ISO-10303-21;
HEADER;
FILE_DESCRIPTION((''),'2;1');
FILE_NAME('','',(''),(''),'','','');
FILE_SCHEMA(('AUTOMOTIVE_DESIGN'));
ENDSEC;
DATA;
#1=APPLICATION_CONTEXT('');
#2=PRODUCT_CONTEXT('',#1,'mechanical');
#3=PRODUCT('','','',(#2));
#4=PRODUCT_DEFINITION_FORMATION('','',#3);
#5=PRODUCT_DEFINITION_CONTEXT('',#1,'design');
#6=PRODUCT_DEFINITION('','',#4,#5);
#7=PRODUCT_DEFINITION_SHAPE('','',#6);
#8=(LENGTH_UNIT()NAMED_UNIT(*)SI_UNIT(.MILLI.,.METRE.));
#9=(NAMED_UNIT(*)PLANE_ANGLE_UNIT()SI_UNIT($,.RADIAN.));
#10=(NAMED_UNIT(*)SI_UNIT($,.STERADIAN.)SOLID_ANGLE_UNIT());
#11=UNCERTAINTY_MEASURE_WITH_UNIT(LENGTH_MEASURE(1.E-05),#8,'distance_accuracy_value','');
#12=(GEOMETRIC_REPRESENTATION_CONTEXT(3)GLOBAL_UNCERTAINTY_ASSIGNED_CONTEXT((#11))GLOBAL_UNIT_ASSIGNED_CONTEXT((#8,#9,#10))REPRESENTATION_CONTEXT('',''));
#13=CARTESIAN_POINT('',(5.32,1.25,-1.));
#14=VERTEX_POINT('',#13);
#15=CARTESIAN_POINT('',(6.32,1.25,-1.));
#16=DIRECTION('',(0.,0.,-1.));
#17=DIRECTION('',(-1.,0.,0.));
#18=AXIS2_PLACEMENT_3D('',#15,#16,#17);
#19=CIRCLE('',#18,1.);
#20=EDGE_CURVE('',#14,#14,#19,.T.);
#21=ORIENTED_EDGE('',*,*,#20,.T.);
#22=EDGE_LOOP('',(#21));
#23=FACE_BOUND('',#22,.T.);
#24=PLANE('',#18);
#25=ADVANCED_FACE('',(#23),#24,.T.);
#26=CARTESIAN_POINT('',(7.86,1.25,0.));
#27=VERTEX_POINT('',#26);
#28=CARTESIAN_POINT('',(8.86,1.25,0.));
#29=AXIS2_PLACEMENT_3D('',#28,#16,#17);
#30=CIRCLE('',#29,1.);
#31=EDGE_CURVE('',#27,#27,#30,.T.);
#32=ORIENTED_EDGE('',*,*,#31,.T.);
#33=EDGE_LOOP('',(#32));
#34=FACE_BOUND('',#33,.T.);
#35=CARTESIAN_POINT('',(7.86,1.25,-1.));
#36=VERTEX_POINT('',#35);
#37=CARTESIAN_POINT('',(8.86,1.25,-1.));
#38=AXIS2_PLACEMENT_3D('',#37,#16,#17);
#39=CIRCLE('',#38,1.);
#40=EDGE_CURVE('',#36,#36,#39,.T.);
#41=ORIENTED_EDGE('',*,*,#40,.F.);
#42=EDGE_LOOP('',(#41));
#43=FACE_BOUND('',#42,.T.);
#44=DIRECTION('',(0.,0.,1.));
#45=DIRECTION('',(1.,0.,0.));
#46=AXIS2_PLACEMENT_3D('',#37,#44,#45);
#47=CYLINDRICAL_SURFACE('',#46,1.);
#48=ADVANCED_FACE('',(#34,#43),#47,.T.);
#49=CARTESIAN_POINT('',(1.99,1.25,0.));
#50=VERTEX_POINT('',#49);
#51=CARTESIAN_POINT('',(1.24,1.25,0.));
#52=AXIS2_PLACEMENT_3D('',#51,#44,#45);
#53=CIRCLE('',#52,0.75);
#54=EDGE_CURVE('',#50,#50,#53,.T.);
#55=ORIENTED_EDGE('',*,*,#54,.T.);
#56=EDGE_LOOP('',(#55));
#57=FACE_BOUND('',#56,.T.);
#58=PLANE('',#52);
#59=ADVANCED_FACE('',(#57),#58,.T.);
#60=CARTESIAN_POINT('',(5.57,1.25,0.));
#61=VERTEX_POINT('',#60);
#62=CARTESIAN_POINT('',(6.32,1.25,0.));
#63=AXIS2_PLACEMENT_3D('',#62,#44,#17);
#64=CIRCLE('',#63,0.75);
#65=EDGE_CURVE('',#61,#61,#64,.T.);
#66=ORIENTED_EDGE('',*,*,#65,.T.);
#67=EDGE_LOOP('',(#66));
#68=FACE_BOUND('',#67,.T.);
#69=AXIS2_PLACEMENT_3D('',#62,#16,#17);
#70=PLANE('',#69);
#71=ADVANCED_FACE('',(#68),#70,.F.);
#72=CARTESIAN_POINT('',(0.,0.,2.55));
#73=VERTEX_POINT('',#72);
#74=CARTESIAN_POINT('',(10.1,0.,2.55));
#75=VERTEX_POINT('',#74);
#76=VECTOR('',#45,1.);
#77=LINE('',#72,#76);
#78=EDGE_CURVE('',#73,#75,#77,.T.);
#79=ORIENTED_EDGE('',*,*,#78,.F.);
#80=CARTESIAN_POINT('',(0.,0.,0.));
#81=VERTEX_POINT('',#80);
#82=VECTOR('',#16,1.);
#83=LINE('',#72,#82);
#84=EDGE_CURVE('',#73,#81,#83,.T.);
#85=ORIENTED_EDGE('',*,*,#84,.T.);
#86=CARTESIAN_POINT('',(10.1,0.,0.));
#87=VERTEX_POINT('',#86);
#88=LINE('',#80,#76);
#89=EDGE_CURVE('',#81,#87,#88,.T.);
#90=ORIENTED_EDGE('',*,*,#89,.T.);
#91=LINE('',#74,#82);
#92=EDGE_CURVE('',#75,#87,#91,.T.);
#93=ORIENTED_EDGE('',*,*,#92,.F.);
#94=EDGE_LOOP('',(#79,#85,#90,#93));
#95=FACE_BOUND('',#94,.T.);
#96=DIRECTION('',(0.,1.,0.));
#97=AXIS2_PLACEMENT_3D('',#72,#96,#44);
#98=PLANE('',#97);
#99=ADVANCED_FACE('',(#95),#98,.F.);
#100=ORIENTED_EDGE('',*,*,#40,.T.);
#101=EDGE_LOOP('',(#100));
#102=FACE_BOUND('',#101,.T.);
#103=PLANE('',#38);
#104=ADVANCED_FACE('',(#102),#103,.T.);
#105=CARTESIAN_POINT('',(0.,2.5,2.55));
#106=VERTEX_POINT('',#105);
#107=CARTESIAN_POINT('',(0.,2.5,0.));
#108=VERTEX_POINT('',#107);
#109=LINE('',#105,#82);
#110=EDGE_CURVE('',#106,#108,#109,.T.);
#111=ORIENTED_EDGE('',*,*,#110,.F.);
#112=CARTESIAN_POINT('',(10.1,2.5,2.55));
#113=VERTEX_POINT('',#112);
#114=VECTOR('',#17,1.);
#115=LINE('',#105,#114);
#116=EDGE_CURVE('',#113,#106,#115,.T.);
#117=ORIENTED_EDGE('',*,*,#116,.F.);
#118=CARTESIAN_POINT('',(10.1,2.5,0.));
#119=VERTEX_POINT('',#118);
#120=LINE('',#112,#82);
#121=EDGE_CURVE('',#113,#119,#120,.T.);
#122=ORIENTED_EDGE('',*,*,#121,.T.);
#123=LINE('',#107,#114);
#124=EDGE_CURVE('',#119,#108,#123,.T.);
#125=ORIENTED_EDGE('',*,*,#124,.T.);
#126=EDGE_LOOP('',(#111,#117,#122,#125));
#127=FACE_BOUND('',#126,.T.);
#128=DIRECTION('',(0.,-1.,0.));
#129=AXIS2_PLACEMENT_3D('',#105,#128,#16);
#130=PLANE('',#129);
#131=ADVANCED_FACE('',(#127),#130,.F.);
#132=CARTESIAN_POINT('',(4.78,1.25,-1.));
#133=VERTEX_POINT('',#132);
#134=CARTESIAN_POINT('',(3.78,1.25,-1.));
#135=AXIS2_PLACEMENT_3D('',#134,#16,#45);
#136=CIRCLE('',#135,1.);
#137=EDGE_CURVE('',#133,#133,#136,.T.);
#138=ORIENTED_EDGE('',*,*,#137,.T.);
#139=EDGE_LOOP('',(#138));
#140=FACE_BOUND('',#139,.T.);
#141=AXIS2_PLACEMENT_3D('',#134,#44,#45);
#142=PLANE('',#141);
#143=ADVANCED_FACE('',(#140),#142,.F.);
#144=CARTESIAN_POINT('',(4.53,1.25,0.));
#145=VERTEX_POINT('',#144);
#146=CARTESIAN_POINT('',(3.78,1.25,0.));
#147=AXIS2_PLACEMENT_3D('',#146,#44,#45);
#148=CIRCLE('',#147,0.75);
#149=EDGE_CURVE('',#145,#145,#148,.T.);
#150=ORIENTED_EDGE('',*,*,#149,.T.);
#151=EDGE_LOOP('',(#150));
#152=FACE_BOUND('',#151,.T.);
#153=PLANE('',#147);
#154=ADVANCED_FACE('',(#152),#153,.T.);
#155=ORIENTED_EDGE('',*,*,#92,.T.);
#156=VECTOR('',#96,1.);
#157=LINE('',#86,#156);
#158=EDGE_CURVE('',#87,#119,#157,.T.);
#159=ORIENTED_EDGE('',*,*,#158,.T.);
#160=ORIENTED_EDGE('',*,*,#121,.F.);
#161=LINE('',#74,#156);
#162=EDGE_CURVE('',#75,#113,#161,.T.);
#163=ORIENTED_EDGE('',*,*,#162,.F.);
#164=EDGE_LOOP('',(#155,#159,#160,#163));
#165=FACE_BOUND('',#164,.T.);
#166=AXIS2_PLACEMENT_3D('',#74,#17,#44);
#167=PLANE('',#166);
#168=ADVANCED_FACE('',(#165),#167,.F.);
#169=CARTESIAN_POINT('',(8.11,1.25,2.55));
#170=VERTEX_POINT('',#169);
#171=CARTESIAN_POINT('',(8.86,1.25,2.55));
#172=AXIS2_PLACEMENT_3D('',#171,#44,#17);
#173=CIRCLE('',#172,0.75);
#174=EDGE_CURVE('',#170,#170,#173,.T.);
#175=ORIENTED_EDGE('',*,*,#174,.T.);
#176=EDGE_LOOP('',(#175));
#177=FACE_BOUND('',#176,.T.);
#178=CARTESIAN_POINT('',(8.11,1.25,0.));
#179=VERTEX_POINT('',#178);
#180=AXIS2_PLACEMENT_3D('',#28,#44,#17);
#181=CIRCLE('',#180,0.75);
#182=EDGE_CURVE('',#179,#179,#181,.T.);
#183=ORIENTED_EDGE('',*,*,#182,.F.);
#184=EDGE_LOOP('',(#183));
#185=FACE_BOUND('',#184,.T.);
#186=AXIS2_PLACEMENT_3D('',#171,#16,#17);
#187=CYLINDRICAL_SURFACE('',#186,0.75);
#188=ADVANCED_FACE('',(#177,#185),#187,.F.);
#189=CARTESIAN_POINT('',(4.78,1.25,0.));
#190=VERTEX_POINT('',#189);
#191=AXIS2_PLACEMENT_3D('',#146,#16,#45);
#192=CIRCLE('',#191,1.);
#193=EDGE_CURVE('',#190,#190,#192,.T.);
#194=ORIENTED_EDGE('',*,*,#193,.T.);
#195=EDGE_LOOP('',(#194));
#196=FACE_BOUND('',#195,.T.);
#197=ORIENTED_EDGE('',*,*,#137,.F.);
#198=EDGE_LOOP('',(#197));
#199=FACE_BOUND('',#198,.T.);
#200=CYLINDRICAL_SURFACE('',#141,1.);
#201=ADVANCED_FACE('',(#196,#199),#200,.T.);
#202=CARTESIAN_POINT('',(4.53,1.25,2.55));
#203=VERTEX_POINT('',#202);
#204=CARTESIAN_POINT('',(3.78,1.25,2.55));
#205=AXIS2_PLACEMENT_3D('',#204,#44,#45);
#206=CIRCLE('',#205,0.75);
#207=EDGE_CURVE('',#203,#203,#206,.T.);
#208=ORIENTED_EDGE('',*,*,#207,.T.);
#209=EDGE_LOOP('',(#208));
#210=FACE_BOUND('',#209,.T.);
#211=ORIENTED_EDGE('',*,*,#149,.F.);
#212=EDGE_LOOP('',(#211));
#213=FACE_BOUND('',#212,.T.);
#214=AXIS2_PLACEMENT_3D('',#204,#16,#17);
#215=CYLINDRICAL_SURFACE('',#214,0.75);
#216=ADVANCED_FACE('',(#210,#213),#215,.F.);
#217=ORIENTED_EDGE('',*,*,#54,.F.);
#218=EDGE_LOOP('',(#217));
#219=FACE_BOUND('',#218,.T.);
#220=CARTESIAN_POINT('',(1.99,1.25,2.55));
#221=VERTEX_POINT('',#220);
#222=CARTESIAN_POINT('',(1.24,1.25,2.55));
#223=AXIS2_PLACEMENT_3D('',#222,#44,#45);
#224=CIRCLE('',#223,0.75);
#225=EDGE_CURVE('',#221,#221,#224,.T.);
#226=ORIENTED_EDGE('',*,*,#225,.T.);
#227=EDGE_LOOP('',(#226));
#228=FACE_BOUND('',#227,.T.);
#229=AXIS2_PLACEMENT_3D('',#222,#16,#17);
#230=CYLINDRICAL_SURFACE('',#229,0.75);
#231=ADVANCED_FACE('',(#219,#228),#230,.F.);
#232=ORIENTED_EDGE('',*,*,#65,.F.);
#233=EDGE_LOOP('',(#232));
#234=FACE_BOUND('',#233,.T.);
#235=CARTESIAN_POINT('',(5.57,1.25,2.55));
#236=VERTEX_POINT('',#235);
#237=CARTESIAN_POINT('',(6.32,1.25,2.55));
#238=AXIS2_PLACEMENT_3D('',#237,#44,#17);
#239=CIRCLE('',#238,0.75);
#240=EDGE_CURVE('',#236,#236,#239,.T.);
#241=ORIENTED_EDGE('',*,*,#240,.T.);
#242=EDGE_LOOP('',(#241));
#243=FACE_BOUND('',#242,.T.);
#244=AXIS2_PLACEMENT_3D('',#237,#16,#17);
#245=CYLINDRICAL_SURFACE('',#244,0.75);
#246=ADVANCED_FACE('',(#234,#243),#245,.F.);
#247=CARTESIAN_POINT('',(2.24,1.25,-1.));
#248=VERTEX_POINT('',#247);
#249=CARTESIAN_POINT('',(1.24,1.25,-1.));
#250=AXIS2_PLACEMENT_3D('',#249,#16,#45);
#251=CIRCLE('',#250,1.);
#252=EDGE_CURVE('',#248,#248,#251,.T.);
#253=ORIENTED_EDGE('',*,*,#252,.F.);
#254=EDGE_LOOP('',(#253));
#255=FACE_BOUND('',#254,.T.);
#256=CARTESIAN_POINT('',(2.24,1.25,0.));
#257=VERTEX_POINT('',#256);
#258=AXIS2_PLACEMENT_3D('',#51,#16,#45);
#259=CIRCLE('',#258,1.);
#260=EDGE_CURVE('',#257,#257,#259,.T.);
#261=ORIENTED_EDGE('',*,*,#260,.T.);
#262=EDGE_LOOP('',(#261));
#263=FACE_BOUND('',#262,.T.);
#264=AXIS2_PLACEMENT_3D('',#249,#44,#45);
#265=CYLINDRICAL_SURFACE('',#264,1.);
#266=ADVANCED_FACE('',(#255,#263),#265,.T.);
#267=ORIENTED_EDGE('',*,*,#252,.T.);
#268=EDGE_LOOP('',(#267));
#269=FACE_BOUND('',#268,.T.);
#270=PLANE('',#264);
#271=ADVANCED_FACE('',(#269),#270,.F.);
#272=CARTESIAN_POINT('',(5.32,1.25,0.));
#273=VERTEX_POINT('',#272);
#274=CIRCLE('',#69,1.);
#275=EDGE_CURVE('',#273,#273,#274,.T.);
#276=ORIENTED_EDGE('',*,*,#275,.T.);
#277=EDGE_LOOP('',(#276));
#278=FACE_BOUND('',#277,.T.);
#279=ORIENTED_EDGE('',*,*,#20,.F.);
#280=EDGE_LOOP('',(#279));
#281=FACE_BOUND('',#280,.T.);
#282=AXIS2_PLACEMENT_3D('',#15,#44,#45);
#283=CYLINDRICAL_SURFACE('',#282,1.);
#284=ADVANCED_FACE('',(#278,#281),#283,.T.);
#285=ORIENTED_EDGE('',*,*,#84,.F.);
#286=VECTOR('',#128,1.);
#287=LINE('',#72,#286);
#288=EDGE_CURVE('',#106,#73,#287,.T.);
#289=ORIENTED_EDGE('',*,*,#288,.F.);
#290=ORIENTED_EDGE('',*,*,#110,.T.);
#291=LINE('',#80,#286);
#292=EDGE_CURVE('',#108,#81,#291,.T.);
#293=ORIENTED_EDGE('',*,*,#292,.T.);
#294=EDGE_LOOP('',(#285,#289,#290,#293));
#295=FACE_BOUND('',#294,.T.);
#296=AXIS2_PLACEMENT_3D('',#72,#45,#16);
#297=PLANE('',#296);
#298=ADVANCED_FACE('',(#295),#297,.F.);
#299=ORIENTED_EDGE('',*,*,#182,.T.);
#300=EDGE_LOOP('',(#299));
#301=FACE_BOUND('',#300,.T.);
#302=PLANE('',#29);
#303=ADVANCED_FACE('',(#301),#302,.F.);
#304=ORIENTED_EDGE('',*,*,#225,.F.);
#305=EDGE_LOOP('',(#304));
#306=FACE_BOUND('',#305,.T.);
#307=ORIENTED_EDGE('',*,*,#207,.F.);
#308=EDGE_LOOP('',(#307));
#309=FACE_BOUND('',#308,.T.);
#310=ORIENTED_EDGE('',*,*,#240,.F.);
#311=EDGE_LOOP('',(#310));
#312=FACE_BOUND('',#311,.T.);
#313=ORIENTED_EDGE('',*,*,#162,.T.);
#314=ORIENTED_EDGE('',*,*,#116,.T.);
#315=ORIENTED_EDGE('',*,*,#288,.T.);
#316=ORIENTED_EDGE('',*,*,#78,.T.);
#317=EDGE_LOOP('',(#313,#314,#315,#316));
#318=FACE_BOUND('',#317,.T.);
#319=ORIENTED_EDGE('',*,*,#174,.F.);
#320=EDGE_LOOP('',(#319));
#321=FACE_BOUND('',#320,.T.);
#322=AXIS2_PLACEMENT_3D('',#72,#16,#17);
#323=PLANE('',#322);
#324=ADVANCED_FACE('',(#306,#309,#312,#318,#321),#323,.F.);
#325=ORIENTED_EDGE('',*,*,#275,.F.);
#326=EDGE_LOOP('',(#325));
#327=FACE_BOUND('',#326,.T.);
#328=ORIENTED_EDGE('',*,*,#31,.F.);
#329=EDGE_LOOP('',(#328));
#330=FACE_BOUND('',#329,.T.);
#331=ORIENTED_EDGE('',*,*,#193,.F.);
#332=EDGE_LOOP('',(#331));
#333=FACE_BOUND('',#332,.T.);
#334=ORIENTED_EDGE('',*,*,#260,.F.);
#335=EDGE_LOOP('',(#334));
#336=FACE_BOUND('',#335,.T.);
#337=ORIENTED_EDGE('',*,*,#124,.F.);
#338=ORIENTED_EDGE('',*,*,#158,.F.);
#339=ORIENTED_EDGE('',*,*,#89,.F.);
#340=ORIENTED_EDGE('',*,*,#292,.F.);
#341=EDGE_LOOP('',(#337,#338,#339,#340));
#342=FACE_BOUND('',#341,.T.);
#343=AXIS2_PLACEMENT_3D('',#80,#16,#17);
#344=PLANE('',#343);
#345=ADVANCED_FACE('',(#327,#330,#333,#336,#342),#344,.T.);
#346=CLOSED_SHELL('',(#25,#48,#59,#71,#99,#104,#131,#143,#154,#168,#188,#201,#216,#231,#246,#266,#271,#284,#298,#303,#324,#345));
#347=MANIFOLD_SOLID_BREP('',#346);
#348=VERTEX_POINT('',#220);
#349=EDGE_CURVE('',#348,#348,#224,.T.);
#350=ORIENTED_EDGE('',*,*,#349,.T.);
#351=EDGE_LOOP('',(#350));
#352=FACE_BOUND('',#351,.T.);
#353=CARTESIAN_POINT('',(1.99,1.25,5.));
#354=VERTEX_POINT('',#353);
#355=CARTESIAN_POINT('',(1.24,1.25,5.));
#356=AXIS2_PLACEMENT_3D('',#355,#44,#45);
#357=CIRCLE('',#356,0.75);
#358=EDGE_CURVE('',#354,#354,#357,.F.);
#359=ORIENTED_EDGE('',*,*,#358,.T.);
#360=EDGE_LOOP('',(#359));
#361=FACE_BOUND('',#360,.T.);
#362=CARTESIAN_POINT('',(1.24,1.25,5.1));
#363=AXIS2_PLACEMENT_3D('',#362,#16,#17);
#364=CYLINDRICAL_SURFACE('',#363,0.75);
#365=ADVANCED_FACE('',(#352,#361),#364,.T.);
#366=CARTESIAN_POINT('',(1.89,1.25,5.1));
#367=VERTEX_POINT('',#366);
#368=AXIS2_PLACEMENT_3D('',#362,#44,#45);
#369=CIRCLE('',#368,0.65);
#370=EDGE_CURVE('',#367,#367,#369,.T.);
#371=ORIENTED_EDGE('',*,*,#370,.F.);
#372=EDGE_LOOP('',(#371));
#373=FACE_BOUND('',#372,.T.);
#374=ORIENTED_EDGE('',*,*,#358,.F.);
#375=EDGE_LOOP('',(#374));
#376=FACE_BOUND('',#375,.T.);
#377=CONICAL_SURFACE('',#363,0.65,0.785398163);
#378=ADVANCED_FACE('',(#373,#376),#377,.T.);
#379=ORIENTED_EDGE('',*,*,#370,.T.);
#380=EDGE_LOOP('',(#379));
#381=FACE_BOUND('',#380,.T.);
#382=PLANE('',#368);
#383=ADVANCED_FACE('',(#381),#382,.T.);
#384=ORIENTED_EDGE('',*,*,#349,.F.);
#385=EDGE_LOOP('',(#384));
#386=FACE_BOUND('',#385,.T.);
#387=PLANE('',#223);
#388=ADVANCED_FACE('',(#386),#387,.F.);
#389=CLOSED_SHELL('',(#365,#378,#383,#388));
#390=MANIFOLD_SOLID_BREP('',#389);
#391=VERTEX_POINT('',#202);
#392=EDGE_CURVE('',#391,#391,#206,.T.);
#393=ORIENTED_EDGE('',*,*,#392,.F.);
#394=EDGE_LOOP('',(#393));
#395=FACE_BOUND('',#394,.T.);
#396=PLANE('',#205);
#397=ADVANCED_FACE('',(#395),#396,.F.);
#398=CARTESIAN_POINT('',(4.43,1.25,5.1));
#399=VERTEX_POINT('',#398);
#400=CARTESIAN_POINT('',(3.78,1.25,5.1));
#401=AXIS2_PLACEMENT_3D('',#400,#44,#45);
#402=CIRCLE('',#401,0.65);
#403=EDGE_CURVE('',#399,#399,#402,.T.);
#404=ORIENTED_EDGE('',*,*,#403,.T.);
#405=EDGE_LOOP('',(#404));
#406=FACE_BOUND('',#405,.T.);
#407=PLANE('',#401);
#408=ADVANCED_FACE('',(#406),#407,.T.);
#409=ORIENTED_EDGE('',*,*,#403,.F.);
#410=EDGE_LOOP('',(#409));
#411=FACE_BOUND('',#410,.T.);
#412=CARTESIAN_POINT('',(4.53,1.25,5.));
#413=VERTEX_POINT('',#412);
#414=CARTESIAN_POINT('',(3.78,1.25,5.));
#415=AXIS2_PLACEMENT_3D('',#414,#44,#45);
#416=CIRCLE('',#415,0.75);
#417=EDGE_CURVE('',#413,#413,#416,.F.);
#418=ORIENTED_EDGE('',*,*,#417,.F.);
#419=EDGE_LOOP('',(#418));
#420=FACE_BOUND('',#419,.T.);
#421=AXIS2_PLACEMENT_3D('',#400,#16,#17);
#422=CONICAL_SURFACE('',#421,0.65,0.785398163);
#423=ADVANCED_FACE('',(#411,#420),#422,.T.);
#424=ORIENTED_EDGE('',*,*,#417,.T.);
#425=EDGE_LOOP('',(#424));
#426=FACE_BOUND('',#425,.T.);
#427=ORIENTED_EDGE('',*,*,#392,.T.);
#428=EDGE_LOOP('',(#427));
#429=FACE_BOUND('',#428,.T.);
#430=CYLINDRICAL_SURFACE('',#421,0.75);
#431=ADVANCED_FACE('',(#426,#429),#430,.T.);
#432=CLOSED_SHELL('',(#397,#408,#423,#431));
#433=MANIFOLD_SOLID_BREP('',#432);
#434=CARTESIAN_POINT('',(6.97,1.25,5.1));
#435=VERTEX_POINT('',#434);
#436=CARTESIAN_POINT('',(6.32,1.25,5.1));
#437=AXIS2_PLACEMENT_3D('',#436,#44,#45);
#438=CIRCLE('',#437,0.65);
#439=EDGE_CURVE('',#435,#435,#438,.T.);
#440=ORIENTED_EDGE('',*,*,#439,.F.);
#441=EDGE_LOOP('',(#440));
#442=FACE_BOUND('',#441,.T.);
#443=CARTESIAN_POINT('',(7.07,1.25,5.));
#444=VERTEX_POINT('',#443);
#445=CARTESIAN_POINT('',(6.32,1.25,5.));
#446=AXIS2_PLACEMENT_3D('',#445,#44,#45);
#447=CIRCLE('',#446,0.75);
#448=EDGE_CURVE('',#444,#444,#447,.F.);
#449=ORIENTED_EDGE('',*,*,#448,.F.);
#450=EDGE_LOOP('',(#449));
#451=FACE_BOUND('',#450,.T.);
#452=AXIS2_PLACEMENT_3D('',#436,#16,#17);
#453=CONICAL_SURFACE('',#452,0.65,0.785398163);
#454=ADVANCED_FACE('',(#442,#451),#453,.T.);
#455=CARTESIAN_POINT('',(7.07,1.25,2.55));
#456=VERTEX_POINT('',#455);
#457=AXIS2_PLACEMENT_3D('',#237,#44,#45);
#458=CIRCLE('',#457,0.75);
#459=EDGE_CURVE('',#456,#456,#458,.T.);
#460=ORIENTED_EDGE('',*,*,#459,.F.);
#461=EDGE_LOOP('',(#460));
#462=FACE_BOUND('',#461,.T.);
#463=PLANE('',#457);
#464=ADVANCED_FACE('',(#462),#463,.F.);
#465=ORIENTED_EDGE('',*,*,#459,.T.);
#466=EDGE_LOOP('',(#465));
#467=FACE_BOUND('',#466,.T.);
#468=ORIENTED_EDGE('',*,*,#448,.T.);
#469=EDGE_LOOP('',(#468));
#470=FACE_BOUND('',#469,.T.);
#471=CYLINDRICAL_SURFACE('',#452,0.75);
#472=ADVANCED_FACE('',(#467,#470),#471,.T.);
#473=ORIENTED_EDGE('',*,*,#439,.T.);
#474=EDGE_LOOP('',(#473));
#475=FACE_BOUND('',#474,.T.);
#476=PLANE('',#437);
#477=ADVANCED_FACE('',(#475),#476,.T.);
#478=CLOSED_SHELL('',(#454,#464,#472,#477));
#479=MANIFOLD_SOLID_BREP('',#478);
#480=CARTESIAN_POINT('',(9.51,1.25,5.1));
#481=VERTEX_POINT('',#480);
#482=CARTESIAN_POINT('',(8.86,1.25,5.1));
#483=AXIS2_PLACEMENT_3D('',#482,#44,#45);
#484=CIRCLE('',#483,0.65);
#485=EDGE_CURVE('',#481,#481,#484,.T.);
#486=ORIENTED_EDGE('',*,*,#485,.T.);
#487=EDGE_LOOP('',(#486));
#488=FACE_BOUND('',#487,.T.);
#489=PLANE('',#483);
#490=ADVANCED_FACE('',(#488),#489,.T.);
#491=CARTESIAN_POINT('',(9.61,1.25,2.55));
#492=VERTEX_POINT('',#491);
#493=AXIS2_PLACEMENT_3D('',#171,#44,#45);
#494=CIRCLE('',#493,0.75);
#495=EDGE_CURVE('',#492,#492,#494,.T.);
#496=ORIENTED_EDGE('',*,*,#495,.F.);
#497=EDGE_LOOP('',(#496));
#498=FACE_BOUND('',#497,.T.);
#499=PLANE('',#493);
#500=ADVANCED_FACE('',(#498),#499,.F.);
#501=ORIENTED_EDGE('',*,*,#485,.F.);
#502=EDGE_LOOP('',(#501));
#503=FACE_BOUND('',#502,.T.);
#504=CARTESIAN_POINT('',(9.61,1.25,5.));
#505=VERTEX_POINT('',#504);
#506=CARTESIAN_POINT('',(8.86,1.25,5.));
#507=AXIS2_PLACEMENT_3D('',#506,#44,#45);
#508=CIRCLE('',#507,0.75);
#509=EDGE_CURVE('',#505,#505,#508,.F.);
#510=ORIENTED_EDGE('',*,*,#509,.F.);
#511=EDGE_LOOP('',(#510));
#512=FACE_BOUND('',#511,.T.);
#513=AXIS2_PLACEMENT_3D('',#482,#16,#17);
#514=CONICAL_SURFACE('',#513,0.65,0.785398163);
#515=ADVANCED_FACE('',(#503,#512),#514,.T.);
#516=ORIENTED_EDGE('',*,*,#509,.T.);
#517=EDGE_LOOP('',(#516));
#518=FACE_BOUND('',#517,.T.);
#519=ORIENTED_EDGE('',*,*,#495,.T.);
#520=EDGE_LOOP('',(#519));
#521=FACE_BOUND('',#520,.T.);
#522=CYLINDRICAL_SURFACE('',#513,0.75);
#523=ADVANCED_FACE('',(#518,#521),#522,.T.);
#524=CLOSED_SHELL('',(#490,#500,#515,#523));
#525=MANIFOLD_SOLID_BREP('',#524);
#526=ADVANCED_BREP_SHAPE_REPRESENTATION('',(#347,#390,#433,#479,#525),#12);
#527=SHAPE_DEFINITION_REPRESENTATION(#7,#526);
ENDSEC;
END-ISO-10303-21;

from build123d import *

# Parameters (mm, degrees)
SKETCH_1_W        = 10.1
SKETCH_1_H        = 2.5
SKETCH_1_R        = 0.75
EXTRUDE_1_DEPTH   = 2.55
SKETCH_2_R        = 1
EXTRUDE_2_DEPTH   = 1
SKETCH_3_R        = 0.75
EXTRUDE_3_DEPTH   = 2.55
EXTRUDE_3_2_DEPTH = 2.55
EXTRUDE_3_3_DEPTH = 2.55
EXTRUDE_3_4_DEPTH = 2.55
CHAMFER_1_SIZE    = 0.1
CHAMFER_2_SIZE    = 0.1
CHAMFER_3_SIZE    = 0.1
CHAMFER_4_SIZE    = 0.1


with BuildPart() as part:
    # 草图1 → 凸台-拉伸1 (new body)
    with BuildSketch(Plane.XY):
        with Locations((5.05, 1.25)):
            Rectangle(SKETCH_1_W, SKETCH_1_H)
        with Locations((3.78, 1.25)):
            Circle(SKETCH_1_R, mode=Mode.SUBTRACT)
        with Locations((1.24, 1.25)):
            Circle(SKETCH_1_R, mode=Mode.SUBTRACT)
        with Locations(Location((8.86, 1.25, 0), (0, 0, 180))):
            Circle(SKETCH_1_R, mode=Mode.SUBTRACT)
        with Locations(Location((6.32, 1.25, 0), (0, 0, 180))):
            Circle(SKETCH_1_R, mode=Mode.SUBTRACT)
    extrude(amount=EXTRUDE_1_DEPTH)

    # 草图2 → 凸台-拉伸2 (add)
    with BuildSketch(Plane(origin=(0, 0, 0), x_dir=(-1, 0, 0), z_dir=(0, 0, -1))):
        with Locations((-6.32, 1.25)):
            Circle(SKETCH_2_R)
        with Locations((-8.86, 1.25)):
            Circle(SKETCH_2_R)
        with Locations(Location((-3.78, 1.25, 0), (0, 0, 180))):
            Circle(SKETCH_2_R)
        with Locations(Location((-1.24, 1.25, 0), (0, 0, 180))):
            Circle(SKETCH_2_R)
    extrude(amount=EXTRUDE_2_DEPTH)


with BuildPart() as body_2:
    # 草图3 → 凸台-拉伸3 (new body)
    with BuildSketch(Plane.XY.offset(2.55)):
        with Locations((3.78, 1.25)):
            Circle(SKETCH_3_R)
    extrude(amount=EXTRUDE_3_DEPTH)

    # 倒角3
    chamfer_3_edges = [body_2.edges().sort_by_distance(p)[0] for p in [
        (3.03, 1.25, 5.1),
    ]]
    chamfer(chamfer_3_edges, length=CHAMFER_3_SIZE)


with BuildPart() as body_3:
    # 草图3 → Extrude 3 2 (new body)
    with BuildSketch(Plane.XY.offset(2.55)):
        with Locations((1.24, 1.25)):
            Circle(SKETCH_3_R)
    extrude(amount=EXTRUDE_3_2_DEPTH)

    # 倒角4
    chamfer_4_edges = [body_3.edges().sort_by_distance(p)[0] for p in [
        (0.49, 1.25, 5.1),
    ]]
    chamfer(chamfer_4_edges, length=CHAMFER_4_SIZE)


with BuildPart() as body_4:
    # 草图3 → Extrude 3 3 (new body)
    with BuildSketch(Plane.XY.offset(2.55)):
        with Locations((6.32, 1.25)):
            Circle(SKETCH_3_R)
    extrude(amount=EXTRUDE_3_3_DEPTH)

    # 倒角2
    chamfer_2_edges = [body_4.edges().sort_by_distance(p)[0] for p in [
        (5.57, 1.25, 5.1),
    ]]
    chamfer(chamfer_2_edges, length=CHAMFER_2_SIZE)


with BuildPart() as body_5:
    # 草图3 → Extrude 3 4 (new body)
    with BuildSketch(Plane.XY.offset(2.55)):
        with Locations((8.86, 1.25)):
            Circle(SKETCH_3_R)
    extrude(amount=EXTRUDE_3_4_DEPTH)

    # 倒角1
    chamfer_1_edges = [body_5.edges().sort_by_distance(p)[0] for p in [
        (8.11, 1.25, 5.1),
    ]]
    chamfer(chamfer_1_edges, length=CHAMFER_1_SIZE)


solid = Compound([part.part, body_2.part, body_3.part, body_4.part, body_5.part])
